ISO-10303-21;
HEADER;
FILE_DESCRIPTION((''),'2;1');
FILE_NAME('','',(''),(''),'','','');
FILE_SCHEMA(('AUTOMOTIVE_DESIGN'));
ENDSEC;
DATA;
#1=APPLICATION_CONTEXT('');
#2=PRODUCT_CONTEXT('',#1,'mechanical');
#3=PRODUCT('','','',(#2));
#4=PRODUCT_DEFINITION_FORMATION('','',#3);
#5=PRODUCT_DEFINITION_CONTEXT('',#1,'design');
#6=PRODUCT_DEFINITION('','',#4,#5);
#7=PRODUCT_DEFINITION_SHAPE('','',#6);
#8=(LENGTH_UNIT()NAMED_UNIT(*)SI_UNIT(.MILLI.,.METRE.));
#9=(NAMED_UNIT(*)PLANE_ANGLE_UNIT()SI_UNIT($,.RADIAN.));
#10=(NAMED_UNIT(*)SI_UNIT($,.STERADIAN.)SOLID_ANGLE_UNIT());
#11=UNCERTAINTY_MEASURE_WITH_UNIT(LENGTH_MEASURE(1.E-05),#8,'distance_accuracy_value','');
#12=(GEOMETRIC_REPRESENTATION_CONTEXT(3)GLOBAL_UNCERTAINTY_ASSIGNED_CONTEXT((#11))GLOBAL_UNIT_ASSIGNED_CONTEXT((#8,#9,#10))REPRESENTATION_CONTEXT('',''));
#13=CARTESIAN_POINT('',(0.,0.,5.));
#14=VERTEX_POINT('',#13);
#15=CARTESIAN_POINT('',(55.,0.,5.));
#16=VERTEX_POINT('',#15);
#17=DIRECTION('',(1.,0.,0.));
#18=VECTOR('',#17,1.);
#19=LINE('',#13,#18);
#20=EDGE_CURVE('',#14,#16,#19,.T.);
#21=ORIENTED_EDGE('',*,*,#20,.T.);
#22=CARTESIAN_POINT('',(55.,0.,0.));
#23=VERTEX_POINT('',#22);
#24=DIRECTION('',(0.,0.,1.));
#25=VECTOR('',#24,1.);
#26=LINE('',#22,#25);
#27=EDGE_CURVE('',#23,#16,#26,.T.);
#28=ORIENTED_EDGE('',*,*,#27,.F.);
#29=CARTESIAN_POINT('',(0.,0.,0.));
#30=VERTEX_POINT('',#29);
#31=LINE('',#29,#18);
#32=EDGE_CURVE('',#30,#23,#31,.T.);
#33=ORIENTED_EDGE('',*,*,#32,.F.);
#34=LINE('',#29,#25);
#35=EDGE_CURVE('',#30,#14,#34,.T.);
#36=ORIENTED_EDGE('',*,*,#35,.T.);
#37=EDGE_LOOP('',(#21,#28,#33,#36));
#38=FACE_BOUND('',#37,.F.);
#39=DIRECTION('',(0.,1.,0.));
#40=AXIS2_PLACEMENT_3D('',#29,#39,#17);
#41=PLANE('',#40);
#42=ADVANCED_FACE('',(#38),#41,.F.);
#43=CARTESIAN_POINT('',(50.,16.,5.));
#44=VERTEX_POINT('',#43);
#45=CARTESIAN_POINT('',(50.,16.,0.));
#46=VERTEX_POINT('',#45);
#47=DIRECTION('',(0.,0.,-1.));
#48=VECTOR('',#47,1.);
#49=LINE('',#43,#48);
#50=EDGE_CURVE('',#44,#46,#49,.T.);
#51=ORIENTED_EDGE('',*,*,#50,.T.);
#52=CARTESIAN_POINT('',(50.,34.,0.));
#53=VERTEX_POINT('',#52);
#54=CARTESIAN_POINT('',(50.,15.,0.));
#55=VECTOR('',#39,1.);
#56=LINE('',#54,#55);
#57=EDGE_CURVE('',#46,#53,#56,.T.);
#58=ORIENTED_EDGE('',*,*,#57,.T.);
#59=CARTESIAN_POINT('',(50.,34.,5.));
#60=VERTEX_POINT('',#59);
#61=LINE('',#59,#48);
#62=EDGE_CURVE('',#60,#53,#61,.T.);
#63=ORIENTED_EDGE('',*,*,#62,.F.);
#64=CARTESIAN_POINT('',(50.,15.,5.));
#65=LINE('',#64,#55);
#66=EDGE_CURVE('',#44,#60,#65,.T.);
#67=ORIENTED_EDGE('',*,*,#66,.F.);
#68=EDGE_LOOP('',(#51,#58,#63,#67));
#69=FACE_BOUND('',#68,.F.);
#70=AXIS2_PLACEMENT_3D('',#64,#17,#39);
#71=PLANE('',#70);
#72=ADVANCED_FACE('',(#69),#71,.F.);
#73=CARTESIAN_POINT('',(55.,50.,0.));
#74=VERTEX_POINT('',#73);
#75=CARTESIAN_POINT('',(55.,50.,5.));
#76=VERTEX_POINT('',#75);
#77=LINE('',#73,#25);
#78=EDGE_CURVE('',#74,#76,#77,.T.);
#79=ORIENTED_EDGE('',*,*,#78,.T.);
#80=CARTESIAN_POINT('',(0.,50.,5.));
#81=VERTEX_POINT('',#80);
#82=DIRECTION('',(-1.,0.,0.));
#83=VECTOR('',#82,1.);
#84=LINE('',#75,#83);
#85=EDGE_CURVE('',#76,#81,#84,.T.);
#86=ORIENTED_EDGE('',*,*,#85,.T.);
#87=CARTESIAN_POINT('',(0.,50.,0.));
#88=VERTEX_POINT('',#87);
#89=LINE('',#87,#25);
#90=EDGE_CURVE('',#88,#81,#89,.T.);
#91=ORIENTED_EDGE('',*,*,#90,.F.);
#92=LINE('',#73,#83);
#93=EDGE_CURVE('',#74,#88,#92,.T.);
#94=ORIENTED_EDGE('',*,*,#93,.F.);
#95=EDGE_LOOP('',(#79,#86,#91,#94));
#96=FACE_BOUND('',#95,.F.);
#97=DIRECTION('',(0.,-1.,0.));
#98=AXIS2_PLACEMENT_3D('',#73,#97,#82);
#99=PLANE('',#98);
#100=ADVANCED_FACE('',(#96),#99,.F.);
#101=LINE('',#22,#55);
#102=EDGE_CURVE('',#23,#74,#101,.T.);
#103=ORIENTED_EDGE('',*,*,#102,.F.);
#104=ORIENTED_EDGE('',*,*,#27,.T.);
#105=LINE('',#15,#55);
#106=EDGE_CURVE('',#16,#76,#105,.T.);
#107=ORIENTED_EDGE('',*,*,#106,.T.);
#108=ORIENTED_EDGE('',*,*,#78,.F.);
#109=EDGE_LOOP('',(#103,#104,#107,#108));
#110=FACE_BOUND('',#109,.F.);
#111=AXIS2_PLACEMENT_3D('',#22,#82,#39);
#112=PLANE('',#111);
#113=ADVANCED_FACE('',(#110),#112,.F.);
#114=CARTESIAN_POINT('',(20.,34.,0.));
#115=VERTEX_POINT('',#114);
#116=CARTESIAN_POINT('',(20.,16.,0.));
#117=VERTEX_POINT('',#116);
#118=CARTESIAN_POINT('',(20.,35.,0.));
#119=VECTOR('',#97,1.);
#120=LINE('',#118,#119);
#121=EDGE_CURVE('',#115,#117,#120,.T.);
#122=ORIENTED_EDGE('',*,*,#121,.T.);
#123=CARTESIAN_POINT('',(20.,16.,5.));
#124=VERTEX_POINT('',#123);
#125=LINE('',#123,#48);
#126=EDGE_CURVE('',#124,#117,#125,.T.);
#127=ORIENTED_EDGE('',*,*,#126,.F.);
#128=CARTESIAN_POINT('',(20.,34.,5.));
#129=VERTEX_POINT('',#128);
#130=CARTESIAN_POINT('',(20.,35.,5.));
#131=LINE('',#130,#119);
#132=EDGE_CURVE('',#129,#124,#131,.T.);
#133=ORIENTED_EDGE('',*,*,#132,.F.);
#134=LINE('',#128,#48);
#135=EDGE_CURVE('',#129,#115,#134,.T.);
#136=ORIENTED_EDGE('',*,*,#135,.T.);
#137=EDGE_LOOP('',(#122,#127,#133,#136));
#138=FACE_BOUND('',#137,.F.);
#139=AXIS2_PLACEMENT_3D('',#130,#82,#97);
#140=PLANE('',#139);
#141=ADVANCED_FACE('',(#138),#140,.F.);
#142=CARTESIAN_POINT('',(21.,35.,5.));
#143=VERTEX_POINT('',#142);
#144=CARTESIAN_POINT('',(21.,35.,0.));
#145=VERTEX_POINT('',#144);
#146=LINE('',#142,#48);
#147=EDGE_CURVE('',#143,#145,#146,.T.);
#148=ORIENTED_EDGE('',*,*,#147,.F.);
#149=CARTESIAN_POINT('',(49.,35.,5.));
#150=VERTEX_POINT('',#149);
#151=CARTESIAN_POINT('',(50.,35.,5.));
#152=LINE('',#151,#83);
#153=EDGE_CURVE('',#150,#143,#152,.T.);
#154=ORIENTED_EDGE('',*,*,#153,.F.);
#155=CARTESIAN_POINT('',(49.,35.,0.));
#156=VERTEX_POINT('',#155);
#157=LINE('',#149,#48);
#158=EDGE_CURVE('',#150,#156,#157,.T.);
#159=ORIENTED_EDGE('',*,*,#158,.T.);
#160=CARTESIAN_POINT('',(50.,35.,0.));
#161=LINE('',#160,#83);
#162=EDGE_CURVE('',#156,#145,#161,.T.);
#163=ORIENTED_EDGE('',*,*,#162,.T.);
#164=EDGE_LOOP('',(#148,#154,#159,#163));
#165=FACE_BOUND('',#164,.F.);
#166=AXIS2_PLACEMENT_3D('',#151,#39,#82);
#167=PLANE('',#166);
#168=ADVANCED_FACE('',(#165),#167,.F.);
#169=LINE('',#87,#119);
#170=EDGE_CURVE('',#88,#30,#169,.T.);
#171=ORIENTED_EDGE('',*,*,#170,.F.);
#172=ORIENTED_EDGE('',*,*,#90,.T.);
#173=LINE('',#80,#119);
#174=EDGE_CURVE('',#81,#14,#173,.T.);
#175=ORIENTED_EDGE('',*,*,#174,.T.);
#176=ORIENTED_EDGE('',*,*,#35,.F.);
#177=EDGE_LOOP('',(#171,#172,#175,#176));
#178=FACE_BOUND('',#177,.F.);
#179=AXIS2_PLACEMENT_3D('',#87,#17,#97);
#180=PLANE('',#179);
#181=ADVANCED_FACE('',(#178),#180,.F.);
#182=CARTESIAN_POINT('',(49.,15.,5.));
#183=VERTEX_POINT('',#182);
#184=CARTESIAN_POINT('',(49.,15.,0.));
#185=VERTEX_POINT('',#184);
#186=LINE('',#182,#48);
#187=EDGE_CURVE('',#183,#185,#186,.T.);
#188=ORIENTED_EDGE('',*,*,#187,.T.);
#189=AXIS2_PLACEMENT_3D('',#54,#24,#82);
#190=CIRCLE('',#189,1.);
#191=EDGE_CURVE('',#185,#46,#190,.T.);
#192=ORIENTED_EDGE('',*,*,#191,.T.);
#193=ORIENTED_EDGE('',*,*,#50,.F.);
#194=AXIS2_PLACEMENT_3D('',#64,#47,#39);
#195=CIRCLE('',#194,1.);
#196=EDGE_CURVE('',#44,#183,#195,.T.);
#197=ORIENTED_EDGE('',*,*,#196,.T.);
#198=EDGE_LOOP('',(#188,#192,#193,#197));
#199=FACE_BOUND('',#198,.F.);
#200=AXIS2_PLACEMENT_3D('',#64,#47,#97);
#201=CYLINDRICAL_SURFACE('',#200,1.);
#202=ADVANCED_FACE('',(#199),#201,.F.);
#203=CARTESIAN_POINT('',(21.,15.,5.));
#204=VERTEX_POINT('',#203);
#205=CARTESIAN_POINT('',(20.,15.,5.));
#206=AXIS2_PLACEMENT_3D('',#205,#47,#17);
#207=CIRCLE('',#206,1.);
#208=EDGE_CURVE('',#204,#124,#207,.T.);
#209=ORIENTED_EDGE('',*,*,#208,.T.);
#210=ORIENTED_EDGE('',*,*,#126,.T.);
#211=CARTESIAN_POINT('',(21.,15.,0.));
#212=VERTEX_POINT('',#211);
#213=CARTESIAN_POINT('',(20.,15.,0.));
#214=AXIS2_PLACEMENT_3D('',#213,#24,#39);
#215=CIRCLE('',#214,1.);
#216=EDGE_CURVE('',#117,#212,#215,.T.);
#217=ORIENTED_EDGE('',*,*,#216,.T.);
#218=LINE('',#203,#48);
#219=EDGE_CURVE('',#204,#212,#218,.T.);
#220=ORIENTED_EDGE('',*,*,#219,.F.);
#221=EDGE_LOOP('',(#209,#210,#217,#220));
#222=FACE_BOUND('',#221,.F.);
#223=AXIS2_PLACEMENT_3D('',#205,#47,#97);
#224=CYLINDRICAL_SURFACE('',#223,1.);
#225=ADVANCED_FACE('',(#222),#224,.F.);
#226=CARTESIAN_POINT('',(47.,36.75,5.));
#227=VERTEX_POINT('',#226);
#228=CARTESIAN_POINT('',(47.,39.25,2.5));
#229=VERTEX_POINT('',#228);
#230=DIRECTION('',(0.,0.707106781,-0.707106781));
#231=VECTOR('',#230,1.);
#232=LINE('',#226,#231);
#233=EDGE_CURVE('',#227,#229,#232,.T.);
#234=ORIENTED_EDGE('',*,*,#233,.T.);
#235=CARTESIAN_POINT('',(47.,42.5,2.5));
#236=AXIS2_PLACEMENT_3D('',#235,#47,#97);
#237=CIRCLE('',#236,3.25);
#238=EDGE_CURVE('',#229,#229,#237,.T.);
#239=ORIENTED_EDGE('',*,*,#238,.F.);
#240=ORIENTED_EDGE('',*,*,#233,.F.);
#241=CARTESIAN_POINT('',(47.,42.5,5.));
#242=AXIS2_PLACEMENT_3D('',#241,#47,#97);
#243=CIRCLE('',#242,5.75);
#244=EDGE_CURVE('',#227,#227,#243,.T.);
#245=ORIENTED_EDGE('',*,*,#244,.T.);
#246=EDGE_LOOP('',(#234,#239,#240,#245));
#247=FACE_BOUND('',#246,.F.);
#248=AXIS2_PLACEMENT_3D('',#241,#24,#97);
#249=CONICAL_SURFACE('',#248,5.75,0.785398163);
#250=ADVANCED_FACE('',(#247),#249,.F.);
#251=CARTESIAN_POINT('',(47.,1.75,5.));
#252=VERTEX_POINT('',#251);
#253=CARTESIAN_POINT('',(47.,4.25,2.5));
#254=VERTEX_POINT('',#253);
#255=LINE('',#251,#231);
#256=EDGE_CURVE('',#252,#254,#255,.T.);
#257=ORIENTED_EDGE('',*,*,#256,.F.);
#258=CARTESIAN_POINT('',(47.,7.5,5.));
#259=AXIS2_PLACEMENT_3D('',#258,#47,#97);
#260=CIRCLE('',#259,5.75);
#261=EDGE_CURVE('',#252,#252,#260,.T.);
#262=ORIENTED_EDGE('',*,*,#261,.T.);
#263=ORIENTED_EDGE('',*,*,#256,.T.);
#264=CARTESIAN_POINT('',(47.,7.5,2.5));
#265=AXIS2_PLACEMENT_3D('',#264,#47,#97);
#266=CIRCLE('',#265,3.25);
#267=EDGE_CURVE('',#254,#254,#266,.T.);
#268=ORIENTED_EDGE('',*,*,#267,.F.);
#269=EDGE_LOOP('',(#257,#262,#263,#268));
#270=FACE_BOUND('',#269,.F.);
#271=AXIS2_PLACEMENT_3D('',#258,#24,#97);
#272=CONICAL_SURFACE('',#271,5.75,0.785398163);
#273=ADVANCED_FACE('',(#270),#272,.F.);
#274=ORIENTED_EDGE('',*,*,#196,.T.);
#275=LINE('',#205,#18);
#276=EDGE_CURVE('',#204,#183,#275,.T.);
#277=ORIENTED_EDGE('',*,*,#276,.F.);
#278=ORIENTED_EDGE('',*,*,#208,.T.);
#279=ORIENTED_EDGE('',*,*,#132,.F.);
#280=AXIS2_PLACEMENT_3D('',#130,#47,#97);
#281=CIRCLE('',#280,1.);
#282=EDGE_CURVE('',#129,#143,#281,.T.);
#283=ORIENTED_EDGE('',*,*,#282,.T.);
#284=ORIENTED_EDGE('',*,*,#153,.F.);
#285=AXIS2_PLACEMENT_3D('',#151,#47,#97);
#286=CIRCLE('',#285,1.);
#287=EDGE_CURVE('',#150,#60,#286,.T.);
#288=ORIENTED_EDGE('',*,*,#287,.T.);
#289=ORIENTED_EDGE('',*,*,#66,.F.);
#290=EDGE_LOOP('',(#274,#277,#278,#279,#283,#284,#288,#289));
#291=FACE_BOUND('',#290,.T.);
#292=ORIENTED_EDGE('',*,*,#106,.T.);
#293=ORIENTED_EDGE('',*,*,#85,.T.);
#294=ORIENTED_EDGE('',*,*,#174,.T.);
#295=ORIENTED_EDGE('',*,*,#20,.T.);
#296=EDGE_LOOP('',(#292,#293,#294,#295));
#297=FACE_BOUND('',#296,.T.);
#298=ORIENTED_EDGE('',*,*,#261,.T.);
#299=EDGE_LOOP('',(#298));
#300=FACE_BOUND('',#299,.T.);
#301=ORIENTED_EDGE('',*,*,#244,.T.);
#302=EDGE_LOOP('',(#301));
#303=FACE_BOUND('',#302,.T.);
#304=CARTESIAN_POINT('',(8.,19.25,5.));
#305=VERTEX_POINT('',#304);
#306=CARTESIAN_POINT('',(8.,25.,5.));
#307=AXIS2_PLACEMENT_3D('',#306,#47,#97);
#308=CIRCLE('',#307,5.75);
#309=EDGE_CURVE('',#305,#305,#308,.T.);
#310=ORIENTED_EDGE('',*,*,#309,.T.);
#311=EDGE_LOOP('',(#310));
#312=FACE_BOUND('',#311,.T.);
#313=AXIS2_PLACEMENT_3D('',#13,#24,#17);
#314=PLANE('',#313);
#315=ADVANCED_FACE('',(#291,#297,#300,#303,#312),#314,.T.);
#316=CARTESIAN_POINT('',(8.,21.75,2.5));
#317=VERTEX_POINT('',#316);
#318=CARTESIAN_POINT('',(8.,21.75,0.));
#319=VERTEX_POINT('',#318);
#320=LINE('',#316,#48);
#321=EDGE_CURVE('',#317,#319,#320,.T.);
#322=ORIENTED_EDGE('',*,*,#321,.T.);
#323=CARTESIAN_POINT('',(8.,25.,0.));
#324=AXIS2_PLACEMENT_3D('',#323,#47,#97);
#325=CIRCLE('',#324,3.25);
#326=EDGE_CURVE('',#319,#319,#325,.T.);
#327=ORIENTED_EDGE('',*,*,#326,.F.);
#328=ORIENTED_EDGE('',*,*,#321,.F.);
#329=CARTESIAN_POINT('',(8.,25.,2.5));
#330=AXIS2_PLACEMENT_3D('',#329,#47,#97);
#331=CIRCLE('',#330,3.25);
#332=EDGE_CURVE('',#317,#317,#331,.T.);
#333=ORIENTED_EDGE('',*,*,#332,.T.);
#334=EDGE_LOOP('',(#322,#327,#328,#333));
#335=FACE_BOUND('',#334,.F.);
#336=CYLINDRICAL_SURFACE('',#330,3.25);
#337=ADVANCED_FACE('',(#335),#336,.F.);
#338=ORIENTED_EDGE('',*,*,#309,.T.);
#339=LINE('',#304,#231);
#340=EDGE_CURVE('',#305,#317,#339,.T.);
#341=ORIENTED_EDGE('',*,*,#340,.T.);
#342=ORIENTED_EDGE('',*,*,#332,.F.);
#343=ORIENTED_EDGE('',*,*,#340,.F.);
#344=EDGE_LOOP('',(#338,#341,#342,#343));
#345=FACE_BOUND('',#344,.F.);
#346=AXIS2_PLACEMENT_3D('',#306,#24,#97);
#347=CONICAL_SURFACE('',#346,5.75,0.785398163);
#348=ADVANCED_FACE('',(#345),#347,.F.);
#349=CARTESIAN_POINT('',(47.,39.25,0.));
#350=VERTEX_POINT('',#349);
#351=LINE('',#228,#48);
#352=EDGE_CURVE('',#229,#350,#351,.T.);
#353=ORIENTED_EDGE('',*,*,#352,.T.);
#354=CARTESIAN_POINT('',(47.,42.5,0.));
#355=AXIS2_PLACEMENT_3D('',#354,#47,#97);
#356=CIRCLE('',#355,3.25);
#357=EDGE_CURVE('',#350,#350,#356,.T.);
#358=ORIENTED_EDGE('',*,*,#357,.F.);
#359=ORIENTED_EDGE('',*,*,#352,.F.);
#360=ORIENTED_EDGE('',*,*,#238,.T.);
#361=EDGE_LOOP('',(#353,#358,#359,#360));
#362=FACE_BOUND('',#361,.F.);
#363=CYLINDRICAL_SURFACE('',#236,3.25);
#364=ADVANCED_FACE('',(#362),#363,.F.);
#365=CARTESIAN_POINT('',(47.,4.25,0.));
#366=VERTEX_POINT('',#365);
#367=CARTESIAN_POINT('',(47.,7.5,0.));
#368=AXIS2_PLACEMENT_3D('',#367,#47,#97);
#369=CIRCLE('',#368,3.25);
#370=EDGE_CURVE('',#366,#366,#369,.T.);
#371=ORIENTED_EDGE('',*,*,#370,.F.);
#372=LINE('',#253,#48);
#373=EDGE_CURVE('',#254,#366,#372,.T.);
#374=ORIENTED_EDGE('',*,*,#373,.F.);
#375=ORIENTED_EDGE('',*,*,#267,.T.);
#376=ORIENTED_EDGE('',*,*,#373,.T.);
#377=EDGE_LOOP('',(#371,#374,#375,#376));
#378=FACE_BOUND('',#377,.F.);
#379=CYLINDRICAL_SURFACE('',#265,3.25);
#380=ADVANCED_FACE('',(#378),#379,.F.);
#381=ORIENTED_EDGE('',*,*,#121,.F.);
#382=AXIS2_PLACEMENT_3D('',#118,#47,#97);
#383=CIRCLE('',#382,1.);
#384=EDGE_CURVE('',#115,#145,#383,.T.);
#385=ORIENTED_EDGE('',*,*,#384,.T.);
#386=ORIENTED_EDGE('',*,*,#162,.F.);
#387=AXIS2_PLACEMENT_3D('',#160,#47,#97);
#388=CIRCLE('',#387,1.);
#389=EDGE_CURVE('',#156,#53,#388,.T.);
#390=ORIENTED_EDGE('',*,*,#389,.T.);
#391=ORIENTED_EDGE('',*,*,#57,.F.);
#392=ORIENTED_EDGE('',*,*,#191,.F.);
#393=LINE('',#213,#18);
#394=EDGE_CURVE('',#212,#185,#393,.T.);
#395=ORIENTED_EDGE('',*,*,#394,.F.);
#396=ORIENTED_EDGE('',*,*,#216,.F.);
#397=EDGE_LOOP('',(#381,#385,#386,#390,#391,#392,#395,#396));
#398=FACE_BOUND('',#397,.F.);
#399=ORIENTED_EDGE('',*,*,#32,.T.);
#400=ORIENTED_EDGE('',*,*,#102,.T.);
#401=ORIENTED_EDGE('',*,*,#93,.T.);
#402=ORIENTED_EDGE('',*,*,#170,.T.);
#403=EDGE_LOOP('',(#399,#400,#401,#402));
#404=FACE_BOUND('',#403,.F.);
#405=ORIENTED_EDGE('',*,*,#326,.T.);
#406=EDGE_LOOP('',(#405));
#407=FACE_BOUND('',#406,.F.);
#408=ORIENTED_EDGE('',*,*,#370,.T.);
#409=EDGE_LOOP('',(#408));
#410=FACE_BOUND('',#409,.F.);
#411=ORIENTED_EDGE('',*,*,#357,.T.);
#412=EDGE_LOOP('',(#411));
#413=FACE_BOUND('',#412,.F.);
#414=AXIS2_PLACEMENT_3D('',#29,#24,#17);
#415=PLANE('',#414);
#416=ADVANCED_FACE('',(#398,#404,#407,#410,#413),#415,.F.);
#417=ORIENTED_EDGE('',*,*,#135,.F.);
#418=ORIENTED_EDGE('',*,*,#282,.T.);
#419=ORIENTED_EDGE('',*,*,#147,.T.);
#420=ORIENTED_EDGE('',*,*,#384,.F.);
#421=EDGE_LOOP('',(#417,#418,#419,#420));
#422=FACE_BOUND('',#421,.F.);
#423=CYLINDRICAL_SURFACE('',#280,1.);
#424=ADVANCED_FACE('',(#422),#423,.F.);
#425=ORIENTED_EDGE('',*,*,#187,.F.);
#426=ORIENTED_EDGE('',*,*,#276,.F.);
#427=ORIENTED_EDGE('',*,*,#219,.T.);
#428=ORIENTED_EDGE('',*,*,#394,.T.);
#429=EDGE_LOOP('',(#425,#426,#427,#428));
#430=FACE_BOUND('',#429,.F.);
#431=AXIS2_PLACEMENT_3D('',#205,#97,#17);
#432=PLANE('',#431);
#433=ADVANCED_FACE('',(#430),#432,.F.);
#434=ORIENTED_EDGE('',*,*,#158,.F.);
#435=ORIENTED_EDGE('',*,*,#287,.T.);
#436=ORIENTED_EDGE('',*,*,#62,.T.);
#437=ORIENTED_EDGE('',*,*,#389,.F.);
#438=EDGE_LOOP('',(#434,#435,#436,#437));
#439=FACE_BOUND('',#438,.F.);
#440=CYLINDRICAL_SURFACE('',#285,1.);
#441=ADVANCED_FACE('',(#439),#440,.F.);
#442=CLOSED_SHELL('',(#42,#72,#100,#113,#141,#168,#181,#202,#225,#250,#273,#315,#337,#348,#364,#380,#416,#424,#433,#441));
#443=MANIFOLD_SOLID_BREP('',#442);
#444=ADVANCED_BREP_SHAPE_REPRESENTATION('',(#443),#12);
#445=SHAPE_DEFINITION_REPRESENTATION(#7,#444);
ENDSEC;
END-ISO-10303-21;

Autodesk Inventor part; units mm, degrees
ref_plane "YZ Plane" through (0, 0, 0) normal (1, 0, 0) x (0, 1, 0)
ref_plane "XZ Plane" through (0, 0, 0) normal (0, 1, 0) x (-1, 0, 0)
ref_plane "XY Plane" through (0, 0, 0) normal (0, 0, 1) x (1, 0, 0)
sketch "Sketch1" plane through (0, 0, 0) normal (0, 0, 1) x (1, 0, 0)
  line L0 (0, 0) -> (55, 0)
  line L1 (55, 0) -> (55, 50)
  line L2 (55, 50) -> (0, 50)
  line L3 (0, 50) -> (0, 0)
  dimension "d0" = 55
  dimension "d1" = 50
extrude "Extrusion1" add sketch "Sketch1" along normal blind 5
sketch "Sketch2" plane through (0, 0, 5) normal (0, 0, 1) x (1, 0, 0)
  line L0 (55, 0) -> (0, 0) projected
  line L1 (55, 50) -> (55, 0) projected
  line L2 (20, 15) -> (50, 15)
  line L3 (50, 15) -> (50, 35)
  line L4 (50, 35) -> (20, 35)
  line L5 (20, 35) -> (20, 15)
  dimension "d4" = 30
  dimension "d5" = 20
  dimension "d6" = 5
  dimension "d7" = 15
extrude "Extrusion2" cut sketch "Sketch2" against normal blind 5
sketch "Sketch3" plane through (0, 0, 5) normal (0, 0, 1) x (1, 0, 0)
  circle A0 centre (20, 35) radius 1
  circle A1 centre (20, 15) radius 1
  circle A2 centre (50, 15) radius 1
  circle A3 centre (50, 35) radius 1
  point P0 (50, 35)
  point P1 (20, 15)
  dimension "d10" = 2
  dimension "d11" = 2
  dimension "d12" = 2
  dimension "d13" = 2
hole "Hole1" at (20, 35, 5) at (20, 15, 5) at (50, 15, 5) at (50, 35, 5) direction (0, 0, -1) diameter 2 depth 5 tip angle 118
sketch "Sketch4" plane through (0, 0, 5) normal (0, 0, 1) x (1, 0, 0)
  line L0 (0, 0) -> (0, 50) projected
  line L1 (55, 0) -> (0, 0) projected
  line L2 (55, 50) -> (55, 0) projected
  line L3 (0, 50) -> (55, 50) projected
  point P0 (8, 25)
  point P1 (47, 42.5)
  point P2 (47, 7.5)
  dimension "d21" = 35
  dimension "d22" = 7.5
  dimension "d23" = 8
  dimension "d24" = 8
  dimension "d25" = 8
  dimension "d26" = 25
hole "Hole2" at (8, 25, 5) at (47, 42.5, 5) at (47, 7.5, 5) direction (0, 0, -1) diameter 6.5 depth 5 tip angle 118 countersink diameter 11.5 countersink angle 90
properties part number "ASSOALHO(8)" material "Carbon Steel"
